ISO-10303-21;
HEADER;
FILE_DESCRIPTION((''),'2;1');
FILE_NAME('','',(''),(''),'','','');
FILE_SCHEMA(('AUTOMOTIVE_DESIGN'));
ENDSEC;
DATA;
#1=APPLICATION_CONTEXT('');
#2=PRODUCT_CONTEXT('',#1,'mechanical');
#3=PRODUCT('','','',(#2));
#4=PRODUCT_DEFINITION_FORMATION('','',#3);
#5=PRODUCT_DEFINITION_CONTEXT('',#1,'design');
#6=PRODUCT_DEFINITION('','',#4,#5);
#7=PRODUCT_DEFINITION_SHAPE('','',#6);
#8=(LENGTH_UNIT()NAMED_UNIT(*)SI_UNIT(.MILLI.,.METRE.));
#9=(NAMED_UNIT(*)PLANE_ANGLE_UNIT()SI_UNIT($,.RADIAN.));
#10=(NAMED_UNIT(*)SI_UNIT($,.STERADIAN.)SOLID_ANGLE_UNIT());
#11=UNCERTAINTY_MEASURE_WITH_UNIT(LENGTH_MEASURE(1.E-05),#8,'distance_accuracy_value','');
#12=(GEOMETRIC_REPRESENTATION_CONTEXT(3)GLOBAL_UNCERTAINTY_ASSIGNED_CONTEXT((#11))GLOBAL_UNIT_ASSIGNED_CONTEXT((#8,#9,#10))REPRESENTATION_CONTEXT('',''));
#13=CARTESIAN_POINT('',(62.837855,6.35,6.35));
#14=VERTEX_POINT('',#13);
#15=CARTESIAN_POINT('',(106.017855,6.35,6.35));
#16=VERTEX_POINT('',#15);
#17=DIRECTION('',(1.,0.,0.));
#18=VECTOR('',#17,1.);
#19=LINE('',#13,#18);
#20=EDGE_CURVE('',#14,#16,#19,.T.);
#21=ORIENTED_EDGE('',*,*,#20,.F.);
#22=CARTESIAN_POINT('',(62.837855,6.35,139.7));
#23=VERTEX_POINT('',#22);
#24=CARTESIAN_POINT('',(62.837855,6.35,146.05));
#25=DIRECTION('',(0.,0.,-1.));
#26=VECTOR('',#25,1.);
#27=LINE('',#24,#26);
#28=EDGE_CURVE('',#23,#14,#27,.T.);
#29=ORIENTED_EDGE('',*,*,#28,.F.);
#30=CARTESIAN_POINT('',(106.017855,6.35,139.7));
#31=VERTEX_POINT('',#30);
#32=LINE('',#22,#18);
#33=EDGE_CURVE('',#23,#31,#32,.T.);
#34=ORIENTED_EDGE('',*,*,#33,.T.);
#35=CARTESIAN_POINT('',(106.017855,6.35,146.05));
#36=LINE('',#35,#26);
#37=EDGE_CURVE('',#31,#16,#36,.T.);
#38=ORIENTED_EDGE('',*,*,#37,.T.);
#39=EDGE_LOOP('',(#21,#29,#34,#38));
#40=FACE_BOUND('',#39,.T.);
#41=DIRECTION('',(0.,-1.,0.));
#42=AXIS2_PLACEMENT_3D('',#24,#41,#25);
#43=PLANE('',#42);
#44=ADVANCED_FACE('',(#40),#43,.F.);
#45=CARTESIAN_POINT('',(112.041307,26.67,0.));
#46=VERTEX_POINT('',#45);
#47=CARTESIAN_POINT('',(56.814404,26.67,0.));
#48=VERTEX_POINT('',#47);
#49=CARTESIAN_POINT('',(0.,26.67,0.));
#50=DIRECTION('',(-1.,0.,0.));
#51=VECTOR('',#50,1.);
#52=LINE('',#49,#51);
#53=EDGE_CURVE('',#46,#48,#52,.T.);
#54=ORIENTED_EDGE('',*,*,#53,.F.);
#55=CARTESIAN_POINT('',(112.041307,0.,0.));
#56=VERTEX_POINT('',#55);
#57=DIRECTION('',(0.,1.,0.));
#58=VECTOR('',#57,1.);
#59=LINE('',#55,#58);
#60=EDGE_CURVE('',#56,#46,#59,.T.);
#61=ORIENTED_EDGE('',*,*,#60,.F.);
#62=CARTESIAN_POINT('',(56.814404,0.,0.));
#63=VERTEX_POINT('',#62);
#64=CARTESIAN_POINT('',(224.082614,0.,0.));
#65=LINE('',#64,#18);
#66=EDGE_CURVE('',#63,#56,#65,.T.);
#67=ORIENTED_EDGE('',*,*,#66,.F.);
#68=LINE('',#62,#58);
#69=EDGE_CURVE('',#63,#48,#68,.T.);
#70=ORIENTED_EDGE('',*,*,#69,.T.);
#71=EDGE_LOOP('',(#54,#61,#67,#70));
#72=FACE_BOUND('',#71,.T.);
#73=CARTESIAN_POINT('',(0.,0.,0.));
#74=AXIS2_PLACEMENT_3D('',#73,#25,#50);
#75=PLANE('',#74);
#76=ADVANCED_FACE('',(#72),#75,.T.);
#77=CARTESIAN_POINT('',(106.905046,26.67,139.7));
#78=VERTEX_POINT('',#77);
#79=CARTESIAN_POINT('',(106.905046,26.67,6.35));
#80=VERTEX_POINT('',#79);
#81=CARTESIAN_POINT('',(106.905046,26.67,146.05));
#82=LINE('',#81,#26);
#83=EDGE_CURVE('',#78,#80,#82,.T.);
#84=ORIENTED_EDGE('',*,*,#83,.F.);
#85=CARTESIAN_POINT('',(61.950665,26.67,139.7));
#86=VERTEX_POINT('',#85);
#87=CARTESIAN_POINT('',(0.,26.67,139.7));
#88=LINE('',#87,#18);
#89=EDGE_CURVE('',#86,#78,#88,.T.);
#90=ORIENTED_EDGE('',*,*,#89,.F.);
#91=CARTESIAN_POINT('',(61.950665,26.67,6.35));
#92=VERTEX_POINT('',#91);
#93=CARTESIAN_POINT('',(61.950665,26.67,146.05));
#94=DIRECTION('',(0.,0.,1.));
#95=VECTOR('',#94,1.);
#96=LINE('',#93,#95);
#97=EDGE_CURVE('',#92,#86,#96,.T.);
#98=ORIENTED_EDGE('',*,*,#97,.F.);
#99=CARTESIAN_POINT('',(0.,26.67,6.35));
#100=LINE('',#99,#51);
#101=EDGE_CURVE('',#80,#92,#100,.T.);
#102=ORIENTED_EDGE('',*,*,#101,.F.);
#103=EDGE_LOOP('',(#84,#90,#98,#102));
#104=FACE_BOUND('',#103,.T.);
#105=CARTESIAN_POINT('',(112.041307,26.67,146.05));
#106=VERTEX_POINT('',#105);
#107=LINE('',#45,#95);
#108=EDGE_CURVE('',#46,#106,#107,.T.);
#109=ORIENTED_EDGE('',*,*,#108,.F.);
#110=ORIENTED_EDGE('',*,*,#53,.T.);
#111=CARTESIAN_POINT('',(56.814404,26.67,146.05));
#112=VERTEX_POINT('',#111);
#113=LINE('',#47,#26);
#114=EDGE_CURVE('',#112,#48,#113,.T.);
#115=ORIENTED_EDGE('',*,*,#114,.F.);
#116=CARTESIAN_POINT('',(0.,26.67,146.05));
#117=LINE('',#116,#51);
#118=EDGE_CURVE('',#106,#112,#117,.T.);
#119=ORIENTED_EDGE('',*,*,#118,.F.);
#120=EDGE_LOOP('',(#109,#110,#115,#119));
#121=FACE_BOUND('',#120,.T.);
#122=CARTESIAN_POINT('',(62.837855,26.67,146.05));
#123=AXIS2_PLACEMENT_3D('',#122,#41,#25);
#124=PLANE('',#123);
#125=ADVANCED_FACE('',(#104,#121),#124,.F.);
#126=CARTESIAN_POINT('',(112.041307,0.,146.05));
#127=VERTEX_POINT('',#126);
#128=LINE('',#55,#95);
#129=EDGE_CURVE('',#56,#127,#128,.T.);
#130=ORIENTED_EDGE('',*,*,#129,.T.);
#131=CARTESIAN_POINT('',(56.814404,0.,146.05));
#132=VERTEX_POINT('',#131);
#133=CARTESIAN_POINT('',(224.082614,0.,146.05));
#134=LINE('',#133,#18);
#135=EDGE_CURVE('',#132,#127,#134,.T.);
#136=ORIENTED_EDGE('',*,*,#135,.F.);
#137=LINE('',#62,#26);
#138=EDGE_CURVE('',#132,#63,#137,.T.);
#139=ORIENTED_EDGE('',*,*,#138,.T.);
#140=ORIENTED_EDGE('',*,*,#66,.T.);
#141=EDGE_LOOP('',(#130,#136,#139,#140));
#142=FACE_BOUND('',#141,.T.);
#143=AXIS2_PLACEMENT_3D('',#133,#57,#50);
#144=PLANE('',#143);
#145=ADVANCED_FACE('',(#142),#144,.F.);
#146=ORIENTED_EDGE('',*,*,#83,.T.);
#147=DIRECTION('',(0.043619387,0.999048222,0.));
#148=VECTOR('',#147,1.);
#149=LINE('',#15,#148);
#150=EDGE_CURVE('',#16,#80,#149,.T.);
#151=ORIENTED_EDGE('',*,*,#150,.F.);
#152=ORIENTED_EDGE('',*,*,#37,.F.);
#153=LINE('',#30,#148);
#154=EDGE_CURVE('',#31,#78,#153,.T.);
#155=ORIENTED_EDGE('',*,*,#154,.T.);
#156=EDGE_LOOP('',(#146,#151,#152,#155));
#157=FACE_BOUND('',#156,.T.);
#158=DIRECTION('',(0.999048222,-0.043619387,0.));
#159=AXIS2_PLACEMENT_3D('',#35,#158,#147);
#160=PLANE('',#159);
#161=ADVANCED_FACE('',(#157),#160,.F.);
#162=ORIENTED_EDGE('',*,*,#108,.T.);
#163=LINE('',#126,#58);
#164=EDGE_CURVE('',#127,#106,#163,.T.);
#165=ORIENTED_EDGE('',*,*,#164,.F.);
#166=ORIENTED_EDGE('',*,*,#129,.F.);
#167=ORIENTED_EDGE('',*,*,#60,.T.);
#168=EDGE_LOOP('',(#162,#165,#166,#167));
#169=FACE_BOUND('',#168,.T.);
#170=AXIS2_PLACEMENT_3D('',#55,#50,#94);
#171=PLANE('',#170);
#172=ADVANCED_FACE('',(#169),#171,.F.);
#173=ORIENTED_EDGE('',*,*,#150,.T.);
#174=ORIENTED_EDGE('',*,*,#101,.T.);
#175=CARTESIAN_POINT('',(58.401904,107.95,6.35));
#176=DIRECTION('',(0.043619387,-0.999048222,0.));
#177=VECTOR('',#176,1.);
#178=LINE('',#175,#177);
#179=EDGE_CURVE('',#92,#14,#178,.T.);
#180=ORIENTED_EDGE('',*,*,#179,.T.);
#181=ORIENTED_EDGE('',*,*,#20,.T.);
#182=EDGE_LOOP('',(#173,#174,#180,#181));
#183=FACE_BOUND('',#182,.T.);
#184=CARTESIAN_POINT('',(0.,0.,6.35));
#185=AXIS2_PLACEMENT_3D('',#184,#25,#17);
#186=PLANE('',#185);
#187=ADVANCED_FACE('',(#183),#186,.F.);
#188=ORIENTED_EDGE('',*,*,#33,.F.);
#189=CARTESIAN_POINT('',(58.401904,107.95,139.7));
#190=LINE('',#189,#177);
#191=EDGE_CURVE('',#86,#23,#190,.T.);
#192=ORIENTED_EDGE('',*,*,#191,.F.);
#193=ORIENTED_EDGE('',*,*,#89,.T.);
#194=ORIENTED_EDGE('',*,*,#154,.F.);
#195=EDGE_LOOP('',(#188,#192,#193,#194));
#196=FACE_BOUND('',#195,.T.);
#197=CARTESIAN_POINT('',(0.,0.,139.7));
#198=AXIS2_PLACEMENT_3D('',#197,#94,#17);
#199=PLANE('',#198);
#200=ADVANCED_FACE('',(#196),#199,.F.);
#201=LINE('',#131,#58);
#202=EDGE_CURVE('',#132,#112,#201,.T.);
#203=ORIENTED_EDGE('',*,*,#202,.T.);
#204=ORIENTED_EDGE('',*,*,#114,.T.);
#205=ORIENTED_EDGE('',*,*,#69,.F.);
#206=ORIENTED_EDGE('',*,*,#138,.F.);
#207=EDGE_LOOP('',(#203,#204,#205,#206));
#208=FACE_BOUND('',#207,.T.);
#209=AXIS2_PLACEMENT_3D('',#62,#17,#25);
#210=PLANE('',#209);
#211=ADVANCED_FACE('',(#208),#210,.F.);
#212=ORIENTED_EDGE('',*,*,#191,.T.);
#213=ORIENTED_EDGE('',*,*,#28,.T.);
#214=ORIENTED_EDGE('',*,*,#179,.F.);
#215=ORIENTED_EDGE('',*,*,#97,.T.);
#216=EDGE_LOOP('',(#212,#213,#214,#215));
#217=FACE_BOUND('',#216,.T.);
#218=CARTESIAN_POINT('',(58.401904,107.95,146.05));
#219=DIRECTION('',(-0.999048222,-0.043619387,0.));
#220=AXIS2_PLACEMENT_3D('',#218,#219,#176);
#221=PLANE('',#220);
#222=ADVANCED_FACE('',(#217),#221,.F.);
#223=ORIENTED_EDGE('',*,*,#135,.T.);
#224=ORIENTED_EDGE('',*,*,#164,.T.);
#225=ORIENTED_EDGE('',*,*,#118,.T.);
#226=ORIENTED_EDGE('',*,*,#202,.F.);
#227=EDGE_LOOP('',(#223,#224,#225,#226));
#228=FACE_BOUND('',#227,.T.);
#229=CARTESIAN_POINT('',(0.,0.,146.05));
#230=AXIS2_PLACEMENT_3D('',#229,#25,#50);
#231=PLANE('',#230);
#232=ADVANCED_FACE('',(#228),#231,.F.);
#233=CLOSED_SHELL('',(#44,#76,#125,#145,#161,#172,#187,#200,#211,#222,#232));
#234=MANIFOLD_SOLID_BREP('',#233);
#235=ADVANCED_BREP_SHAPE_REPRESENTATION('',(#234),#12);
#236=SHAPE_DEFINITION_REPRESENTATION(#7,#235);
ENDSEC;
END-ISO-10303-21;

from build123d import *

# Parameters (mm, degrees)
BOSS_EXTRUDE1_DEPTH = 146.05
BOSS_EXTRUDE2_DEPTH = 6.35
SKETCH3_W           = 274.391313821
SKETCH3_H           = 212.158232336
CUT_EXTRUDE1_DEPTH  = 81.28
SKETCH4_W           = 56.814403599
SKETCH4_H           = 146.05
SKETCH4_W_2         = 112.041307198
CUT_EXTRUDE2_DEPTH  = 269.802733384


with BuildPart() as part:
    # Sketch1 → Boss-Extrude1 (new body)
    with BuildSketch(Plane.XY):
        Polygon((0, 0), (0, 107.95), (3.175, 107.95), (7.6109518, 6.35), (50.7909518, 6.35), (55.226903599, 107.95), (58.401903599, 107.95), (62.837855399, 6.35), (106.017855399, 6.35), (110.453807198, 107.95), (113.628807198, 107.95), (118.064758998, 6.35), (161.244758998, 6.35), (165.680710797, 107.95), (168.855710797, 107.95), (173.291662597, 6.35), (216.471662597, 6.35), (220.907614396, 107.95), (224.082614396, 107.95), (224.082614396, 0), align=None)
    extrude(amount=BOSS_EXTRUDE1_DEPTH)

    # Sketch2 → Boss-Extrude2 (add)
    with BuildSketch(Plane.XY.offset(146.05)):
        Polygon((3.175, 107.95), (55.226903599, 107.95), (50.7909518, 6.35), (7.6109518, 6.35), align=None)
        Polygon((58.401903599, 107.95), (62.837855399, 6.35), (106.017855399, 6.35), (110.453807198, 107.95), align=None)
        Polygon((113.628807198, 107.95), (118.064758998, 6.35), (161.244758998, 6.35), (165.680710797, 107.95), align=None)
        Polygon((168.855710797, 107.95), (173.291662597, 6.35), (216.471662597, 6.35), (220.907614396, 107.95), align=None)
    boss_extrude2 = extrude(amount=-BOSS_EXTRUDE2_DEPTH)

    # Mirror1: Boss-Extrude2 across plane
    add(boss_extrude2.mirror(Plane(origin=(0, 0, 73.025), x_dir=(1, 0, 0), z_dir=(0, 0, -1))))

    # Sketch3 → Cut-Extrude1 (cut)
    with BuildSketch(Plane(origin=(0, 107.95, 0), x_dir=(1, 0, 0), z_dir=(0, 1, 0))):
        with Locations((112.984880501, -67.937773638)):
            Rectangle(SKETCH3_W, SKETCH3_H)
    extrude(amount=-CUT_EXTRUDE1_DEPTH, mode=Mode.SUBTRACT)

    # Sketch4 → Cut-Extrude2 (cut, through all)
    with BuildSketch(Plane(origin=(0, 26.67, 0), x_dir=(1, 0, 0), z_dir=(0, 1, 0))):
        with Locations((28.4072018, -73.025)):
            Rectangle(SKETCH4_W, SKETCH4_H)
        with Locations((168.061960797, -73.025)):
            Rectangle(SKETCH4_W_2, SKETCH4_H)
    extrude(amount=-CUT_EXTRUDE2_DEPTH, mode=Mode.SUBTRACT)


solid = part.part
